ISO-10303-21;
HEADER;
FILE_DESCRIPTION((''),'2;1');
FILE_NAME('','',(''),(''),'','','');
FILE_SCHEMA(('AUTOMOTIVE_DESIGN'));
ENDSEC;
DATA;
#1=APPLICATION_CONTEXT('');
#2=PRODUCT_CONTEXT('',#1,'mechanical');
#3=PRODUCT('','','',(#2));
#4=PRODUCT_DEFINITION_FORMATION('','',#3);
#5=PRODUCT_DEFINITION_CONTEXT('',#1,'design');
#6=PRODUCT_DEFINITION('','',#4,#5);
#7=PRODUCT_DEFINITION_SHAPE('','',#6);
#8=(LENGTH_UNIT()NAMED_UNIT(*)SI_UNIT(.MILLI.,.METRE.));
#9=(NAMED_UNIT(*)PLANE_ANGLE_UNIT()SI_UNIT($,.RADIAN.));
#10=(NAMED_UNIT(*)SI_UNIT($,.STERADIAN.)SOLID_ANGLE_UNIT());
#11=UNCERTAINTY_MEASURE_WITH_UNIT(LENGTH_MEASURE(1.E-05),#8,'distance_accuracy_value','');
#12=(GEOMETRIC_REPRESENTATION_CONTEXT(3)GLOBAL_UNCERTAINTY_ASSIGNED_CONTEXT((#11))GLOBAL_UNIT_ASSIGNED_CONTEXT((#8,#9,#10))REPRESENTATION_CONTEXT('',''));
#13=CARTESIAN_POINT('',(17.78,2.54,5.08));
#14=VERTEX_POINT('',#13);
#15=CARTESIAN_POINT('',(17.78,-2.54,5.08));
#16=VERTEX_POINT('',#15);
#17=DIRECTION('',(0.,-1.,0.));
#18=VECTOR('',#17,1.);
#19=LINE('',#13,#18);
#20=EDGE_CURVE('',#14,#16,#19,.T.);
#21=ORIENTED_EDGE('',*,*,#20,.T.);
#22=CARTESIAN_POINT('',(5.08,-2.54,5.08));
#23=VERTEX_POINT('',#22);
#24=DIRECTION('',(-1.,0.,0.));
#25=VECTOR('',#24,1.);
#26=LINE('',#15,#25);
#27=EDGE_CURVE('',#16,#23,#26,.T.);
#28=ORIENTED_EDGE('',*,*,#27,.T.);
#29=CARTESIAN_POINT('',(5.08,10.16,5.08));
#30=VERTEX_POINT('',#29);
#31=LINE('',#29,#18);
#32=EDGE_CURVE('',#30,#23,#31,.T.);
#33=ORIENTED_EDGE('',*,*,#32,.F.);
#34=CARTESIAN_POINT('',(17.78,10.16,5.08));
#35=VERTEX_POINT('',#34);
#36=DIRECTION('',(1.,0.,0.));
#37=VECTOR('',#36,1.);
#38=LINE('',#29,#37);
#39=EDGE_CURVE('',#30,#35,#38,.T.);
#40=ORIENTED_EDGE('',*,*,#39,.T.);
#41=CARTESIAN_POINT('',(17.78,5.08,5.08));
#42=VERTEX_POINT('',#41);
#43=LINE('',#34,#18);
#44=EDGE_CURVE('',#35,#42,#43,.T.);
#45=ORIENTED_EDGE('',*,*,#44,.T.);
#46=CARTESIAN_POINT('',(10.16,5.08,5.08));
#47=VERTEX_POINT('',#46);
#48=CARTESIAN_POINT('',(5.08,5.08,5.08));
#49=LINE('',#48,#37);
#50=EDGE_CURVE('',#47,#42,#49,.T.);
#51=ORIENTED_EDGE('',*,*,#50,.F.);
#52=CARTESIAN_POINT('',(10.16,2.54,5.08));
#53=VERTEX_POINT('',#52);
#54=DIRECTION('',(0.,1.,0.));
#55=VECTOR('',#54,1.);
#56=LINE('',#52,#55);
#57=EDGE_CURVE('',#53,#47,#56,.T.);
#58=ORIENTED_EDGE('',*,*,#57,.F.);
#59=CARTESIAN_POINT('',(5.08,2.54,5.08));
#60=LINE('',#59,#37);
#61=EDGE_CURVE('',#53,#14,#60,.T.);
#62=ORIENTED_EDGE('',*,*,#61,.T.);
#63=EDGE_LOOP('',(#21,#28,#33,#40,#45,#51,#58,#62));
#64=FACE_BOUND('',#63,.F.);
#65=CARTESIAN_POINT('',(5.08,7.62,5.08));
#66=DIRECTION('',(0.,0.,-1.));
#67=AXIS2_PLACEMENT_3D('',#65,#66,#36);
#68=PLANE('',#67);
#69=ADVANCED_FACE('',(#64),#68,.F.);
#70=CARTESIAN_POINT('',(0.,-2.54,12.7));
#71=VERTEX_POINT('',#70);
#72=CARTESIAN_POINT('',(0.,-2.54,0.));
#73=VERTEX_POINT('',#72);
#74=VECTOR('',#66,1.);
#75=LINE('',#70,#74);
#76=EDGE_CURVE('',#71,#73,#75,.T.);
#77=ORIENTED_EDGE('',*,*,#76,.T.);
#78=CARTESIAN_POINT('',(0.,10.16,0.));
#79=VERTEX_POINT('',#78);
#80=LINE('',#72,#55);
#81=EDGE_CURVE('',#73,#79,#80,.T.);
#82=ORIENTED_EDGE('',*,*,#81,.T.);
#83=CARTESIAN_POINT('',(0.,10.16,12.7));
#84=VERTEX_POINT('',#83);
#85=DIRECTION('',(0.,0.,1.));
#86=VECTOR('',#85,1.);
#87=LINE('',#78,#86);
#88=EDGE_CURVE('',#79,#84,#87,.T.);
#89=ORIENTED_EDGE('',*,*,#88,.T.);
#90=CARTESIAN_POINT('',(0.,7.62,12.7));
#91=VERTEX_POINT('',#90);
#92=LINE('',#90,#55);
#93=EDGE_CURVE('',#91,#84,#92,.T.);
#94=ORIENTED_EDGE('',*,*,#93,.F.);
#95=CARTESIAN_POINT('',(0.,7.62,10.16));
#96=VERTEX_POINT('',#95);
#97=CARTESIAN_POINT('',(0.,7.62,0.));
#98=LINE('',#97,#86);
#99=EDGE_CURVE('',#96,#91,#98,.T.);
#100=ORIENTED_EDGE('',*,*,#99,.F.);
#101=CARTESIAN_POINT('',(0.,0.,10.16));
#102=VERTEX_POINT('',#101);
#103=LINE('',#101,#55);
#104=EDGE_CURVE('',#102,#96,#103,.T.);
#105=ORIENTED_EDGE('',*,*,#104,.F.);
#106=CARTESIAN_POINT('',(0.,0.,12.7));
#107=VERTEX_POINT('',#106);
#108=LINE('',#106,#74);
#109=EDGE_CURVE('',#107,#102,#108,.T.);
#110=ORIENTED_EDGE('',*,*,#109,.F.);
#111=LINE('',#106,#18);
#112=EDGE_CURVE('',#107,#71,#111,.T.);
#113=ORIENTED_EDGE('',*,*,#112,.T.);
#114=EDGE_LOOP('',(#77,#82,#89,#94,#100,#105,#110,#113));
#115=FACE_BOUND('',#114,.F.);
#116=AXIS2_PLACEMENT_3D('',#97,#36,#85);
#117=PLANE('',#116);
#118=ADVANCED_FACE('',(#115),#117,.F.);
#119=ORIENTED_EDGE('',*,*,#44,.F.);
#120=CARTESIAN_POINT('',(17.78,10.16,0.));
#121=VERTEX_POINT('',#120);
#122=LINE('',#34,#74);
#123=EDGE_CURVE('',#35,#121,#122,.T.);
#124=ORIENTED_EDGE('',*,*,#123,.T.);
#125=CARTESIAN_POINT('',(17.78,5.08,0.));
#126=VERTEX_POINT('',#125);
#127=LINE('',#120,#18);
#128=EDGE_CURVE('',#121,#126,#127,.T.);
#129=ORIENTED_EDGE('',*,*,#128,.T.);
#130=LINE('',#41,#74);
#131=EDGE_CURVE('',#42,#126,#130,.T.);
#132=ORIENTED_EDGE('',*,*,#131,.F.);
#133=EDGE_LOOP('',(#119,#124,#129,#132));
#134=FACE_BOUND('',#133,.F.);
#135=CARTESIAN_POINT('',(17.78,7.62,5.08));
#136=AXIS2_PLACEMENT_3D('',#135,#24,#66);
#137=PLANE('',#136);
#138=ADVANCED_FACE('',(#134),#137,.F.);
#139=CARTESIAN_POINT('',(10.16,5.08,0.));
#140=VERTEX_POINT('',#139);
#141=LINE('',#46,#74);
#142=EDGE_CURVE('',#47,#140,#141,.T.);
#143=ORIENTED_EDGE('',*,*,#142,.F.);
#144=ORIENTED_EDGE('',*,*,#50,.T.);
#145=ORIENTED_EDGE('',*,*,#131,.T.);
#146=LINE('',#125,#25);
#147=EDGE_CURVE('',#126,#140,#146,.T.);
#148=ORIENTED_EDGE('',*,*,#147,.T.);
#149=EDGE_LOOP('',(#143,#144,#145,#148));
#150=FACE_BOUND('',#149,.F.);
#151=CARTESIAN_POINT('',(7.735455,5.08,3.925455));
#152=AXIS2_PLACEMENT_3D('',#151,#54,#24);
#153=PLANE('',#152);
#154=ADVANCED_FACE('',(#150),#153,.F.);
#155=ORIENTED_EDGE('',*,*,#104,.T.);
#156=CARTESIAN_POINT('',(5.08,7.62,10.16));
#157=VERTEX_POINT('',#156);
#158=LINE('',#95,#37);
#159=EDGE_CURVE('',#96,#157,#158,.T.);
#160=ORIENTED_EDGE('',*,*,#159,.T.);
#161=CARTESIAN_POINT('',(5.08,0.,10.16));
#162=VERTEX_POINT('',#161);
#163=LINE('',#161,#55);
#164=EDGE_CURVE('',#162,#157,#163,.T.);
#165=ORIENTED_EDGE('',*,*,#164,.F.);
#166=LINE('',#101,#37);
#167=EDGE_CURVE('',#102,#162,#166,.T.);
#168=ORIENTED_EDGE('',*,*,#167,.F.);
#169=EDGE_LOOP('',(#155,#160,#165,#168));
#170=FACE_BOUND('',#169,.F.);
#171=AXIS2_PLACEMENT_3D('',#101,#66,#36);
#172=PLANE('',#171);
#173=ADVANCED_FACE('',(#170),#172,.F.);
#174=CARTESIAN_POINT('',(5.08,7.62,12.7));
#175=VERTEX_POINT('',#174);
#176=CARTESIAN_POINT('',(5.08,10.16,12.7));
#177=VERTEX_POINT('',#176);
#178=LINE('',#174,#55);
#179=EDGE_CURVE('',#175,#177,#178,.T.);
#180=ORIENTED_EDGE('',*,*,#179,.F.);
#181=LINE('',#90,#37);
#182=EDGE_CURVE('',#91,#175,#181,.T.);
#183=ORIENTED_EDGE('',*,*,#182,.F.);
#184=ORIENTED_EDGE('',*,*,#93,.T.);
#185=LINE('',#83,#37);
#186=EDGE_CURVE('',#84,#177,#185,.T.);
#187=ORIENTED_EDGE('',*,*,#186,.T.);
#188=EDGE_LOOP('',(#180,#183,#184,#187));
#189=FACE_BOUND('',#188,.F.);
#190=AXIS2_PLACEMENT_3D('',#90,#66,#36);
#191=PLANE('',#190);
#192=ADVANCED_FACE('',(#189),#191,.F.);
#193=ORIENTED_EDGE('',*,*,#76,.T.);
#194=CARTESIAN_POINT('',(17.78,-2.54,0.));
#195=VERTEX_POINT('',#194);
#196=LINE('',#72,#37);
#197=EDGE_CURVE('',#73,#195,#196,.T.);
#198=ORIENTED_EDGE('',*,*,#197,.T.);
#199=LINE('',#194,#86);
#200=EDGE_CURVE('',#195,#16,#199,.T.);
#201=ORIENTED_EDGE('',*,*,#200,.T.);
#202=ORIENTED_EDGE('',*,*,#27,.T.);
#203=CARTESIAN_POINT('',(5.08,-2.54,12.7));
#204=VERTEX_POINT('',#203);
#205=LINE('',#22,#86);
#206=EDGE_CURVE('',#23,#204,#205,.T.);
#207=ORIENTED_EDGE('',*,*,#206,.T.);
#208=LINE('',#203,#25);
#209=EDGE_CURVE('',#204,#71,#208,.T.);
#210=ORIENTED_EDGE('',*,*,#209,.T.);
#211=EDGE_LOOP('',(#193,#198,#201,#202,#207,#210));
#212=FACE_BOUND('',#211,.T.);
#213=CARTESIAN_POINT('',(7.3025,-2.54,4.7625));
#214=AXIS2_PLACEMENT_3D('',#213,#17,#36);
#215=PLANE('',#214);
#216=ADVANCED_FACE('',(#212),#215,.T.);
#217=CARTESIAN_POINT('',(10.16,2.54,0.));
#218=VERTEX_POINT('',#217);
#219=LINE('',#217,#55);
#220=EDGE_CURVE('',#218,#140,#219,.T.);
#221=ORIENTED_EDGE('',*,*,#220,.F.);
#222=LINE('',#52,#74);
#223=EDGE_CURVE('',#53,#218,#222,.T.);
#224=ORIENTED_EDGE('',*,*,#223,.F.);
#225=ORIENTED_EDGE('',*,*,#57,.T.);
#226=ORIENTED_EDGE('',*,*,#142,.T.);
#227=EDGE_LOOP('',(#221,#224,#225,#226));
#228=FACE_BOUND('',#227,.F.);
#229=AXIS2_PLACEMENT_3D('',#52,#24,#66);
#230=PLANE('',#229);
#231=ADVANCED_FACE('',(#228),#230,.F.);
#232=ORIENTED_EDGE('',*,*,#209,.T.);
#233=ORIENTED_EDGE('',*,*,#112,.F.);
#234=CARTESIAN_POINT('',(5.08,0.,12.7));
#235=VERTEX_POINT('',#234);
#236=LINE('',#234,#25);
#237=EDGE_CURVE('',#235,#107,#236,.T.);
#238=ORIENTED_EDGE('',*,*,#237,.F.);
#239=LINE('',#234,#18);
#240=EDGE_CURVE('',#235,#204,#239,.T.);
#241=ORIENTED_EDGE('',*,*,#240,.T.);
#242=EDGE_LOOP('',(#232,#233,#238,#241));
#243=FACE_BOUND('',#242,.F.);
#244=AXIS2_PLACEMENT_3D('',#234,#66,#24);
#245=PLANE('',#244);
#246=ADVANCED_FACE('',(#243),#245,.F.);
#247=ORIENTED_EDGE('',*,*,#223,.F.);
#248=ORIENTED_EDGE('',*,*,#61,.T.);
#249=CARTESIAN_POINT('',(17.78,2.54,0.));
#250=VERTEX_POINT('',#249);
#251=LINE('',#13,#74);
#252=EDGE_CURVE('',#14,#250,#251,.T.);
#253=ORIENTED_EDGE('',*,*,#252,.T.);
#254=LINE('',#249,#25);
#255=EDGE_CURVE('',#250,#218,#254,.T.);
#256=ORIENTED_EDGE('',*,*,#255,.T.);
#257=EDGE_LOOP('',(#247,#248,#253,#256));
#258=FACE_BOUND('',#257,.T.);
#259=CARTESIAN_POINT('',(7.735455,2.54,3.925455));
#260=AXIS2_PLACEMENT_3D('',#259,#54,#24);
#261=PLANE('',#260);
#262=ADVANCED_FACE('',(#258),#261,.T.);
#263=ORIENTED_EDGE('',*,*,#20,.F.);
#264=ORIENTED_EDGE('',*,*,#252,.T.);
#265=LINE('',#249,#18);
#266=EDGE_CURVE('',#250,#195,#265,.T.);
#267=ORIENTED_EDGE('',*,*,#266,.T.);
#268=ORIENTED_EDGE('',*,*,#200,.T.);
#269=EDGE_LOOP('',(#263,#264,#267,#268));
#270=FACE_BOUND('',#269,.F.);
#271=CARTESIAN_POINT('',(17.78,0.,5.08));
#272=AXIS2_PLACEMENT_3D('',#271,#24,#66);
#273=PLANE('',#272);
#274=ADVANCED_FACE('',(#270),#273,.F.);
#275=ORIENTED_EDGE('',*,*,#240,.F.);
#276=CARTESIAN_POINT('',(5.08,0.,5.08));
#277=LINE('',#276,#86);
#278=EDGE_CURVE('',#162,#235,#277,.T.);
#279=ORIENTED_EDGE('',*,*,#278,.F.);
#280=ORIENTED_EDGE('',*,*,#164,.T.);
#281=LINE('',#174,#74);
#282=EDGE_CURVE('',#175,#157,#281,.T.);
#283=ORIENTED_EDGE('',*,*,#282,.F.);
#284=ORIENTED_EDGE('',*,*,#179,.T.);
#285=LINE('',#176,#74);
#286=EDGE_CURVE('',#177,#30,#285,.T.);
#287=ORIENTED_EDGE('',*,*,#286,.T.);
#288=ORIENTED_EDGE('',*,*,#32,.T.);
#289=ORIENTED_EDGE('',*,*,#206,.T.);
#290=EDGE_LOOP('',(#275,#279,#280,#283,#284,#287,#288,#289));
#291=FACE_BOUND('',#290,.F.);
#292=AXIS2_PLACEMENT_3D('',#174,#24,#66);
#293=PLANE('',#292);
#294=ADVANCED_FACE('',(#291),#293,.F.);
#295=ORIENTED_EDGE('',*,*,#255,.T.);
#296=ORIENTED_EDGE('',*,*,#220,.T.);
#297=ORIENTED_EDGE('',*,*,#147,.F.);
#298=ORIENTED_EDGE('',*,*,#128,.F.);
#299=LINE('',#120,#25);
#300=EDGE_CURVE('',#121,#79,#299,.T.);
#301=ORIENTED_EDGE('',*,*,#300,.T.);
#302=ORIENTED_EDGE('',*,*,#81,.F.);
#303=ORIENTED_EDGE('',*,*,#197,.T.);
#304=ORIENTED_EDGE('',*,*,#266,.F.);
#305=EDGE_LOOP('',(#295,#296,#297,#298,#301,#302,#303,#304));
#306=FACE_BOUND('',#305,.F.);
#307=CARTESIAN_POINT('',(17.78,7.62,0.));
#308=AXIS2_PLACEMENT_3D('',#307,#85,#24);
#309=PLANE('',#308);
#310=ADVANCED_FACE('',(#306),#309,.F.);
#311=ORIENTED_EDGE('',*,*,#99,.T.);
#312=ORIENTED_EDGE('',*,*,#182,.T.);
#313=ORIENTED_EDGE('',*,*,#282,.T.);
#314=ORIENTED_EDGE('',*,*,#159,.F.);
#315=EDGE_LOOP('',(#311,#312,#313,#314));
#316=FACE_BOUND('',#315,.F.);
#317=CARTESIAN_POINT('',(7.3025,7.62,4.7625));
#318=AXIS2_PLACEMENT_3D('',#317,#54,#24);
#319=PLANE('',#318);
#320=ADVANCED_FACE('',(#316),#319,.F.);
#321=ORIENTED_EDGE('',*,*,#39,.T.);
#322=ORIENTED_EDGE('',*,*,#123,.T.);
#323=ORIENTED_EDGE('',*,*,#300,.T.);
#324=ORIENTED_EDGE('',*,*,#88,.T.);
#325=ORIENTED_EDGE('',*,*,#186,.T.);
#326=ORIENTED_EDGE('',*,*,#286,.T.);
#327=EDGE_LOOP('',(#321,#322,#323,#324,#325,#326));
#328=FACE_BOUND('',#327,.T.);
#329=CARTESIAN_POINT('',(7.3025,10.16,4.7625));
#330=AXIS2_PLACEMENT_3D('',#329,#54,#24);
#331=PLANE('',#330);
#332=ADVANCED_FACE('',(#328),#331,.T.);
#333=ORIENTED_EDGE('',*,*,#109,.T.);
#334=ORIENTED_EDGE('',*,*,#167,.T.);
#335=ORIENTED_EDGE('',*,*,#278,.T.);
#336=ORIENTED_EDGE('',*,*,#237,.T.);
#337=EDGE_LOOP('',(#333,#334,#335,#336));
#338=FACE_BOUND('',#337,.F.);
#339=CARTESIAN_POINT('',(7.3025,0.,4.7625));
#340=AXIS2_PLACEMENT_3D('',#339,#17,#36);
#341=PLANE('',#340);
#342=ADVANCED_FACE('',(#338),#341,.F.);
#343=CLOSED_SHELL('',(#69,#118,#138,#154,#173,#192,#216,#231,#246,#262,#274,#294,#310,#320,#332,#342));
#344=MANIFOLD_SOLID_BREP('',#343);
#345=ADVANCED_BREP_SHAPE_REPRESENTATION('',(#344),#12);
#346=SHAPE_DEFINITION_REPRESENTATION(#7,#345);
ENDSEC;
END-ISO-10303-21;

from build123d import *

# Parameters (mm, degrees)
F1_DEPTH = 2.54
F3_DEPTH = 2.54
F5_DEPTH = 2.54
F7_DEPTH = 2.54
F9_DEPTH = 2.54


with BuildPart() as f1:
    # F0 (on Front) → F1 (new body)
    with BuildSketch(Plane.XZ):
        Polygon((0, 12.7), (0, 0), (17.78, 0), (17.78, 5.08), (5.08, 5.08), (5.08, 12.7), align=None)
    extrude(amount=F1_DEPTH)



with BuildPart() as f3:
    # F2 (on face) → F3 (new body)
    with BuildSketch(Plane(origin=(0, 5.08, 0), x_dir=(-1, 0, 0), z_dir=(0, 1, 0))):
        Polygon((-17.78, 0), (0, 0), (0, 10.16), (-5.08, 10.16), (-5.08, 5.08), (-17.78, 5.08), align=None)
    extrude(amount=F3_DEPTH)

    # F4 (on face) → F5 (join)
    with BuildSketch(Plane(origin=(0, 2.54, 0), x_dir=(-1, 0, 0), z_dir=(0, 1, 0))):
        Polygon((0, 0), (0, 10.16), (-5.08, 10.16), (-5.08, 5.08), (-10.16, 5.08), (-10.16, 0), align=None)
    extrude(amount=F5_DEPTH)


with BuildPart() as f1_1:
    add(f1.part)

    add(f3.part)  # F7 merges F3
    # F6 (on face) → F7 (join)
    with BuildSketch(Plane(origin=(0, 0, 0), x_dir=(-1, 0, 0), z_dir=(0, 1, 0))):
        Polygon((-17.78, 0), (0, 0), (0, 10.16), (-5.08, 10.16), (-5.08, 5.08), (-17.78, 5.08), align=None)
    extrude(amount=F7_DEPTH)

    # F8 (on face) → F9 (join)
    with BuildSketch(Plane(origin=(0, 7.62, 0), x_dir=(-1, 0, 0), z_dir=(0, 1, 0))):
        Polygon((-17.78, 0), (0, 0), (0, 12.7), (-5.08, 12.7), (-5.08, 5.08), (-17.78, 5.08), align=None)
    extrude(amount=F9_DEPTH)


solid = f1_1.part
